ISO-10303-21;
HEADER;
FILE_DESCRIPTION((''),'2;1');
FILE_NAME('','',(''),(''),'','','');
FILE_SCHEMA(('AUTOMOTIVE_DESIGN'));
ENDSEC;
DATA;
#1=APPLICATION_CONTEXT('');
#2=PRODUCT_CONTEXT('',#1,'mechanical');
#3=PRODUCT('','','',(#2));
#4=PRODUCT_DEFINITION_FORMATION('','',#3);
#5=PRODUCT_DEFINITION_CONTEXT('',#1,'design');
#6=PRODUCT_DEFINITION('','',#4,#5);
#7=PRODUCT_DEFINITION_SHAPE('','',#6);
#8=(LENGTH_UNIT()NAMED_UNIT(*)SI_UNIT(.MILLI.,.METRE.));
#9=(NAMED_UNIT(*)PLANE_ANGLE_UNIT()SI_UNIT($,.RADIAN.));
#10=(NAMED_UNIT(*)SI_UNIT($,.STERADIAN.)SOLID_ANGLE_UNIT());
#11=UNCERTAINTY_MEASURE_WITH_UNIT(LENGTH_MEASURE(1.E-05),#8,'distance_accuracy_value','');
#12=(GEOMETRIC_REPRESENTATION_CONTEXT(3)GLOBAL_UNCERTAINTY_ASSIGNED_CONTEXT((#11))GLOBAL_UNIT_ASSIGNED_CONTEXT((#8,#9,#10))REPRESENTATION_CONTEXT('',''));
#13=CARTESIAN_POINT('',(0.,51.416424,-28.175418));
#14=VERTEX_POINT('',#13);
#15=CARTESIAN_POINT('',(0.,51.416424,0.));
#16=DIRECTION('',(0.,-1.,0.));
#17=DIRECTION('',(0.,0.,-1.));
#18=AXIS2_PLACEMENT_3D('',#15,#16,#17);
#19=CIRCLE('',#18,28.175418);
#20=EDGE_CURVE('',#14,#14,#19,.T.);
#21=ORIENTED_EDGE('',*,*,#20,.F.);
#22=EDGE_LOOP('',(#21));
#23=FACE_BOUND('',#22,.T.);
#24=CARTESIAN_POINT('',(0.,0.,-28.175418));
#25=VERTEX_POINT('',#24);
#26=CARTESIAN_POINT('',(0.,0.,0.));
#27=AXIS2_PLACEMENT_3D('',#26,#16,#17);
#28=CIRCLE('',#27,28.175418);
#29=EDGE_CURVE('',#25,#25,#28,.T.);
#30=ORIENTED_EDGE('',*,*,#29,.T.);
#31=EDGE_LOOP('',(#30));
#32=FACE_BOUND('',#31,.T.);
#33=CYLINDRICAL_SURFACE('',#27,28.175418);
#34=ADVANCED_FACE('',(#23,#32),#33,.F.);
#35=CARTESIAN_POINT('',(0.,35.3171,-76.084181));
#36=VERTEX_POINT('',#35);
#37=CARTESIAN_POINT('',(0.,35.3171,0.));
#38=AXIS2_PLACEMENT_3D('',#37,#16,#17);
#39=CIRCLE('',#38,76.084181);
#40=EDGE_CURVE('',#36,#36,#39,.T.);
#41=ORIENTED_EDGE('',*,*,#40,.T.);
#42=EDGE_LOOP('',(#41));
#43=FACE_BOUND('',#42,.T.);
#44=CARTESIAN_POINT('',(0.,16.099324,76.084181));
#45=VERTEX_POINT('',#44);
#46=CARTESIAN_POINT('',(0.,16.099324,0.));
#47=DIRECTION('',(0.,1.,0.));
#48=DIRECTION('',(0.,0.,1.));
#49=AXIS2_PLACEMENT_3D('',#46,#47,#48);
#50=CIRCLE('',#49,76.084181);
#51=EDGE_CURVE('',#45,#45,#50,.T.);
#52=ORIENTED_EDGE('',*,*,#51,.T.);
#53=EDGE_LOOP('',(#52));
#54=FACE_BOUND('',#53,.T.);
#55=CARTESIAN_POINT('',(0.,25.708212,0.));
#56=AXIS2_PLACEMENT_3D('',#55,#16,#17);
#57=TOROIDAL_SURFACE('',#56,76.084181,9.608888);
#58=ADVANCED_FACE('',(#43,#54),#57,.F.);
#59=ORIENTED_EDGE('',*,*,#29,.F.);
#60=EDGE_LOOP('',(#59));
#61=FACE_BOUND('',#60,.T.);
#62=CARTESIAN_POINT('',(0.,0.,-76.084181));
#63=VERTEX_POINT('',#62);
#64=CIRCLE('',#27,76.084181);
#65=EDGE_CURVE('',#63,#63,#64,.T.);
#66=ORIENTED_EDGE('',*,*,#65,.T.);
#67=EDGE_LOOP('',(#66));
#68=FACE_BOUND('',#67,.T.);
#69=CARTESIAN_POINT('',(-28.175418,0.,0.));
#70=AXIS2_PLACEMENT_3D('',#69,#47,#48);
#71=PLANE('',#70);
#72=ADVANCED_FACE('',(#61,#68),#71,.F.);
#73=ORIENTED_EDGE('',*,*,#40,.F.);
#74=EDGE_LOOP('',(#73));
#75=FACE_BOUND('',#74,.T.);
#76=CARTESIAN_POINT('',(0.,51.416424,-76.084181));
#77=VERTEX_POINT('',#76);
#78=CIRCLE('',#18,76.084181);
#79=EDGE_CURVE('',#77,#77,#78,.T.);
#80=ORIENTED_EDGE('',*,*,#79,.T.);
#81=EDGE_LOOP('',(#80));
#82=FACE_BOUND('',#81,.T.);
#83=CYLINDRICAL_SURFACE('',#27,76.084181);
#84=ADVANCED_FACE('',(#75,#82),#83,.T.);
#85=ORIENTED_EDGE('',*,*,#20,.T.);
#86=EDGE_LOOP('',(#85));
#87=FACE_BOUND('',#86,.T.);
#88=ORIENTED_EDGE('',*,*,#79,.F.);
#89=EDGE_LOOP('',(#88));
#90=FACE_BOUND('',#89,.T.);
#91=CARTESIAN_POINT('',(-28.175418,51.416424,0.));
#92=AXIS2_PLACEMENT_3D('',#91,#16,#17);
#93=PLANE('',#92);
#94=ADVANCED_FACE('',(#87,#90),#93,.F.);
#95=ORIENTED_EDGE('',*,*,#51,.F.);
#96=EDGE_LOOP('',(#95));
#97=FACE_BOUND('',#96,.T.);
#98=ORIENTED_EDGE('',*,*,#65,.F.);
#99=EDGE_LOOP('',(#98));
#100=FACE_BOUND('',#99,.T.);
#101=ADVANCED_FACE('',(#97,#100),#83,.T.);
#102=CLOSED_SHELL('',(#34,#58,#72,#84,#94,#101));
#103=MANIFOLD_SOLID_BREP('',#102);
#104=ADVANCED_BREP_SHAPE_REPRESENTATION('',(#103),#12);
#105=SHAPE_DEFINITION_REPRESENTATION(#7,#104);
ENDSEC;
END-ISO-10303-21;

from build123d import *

# Parameters (mm, degrees)
SKETCH1_W = 47.908763192
SKETCH1_H = 51.416423574
SKETCH3_R = 9.608888213


with BuildPart() as part:
    # Sketch1 → Revolve1 (revolve)
    with BuildSketch(Plane.XY):
        with Locations((-52.129799597, 25.708211787)):
            Rectangle(SKETCH1_W, SKETCH1_H)
    revolve(axis=Axis((0, 0, 0), (0, 1, 0)))

    # Sketch3 → Cut-Revolve1 (revolve, cut)
    with BuildSketch(Plane.XY):
        with Locations((-76.084181193, 25.708211787)):
            Circle(SKETCH3_R)
    revolve(axis=Axis((0, 0, 0), (0, 1, 0)), mode=Mode.SUBTRACT)


solid = part.part
